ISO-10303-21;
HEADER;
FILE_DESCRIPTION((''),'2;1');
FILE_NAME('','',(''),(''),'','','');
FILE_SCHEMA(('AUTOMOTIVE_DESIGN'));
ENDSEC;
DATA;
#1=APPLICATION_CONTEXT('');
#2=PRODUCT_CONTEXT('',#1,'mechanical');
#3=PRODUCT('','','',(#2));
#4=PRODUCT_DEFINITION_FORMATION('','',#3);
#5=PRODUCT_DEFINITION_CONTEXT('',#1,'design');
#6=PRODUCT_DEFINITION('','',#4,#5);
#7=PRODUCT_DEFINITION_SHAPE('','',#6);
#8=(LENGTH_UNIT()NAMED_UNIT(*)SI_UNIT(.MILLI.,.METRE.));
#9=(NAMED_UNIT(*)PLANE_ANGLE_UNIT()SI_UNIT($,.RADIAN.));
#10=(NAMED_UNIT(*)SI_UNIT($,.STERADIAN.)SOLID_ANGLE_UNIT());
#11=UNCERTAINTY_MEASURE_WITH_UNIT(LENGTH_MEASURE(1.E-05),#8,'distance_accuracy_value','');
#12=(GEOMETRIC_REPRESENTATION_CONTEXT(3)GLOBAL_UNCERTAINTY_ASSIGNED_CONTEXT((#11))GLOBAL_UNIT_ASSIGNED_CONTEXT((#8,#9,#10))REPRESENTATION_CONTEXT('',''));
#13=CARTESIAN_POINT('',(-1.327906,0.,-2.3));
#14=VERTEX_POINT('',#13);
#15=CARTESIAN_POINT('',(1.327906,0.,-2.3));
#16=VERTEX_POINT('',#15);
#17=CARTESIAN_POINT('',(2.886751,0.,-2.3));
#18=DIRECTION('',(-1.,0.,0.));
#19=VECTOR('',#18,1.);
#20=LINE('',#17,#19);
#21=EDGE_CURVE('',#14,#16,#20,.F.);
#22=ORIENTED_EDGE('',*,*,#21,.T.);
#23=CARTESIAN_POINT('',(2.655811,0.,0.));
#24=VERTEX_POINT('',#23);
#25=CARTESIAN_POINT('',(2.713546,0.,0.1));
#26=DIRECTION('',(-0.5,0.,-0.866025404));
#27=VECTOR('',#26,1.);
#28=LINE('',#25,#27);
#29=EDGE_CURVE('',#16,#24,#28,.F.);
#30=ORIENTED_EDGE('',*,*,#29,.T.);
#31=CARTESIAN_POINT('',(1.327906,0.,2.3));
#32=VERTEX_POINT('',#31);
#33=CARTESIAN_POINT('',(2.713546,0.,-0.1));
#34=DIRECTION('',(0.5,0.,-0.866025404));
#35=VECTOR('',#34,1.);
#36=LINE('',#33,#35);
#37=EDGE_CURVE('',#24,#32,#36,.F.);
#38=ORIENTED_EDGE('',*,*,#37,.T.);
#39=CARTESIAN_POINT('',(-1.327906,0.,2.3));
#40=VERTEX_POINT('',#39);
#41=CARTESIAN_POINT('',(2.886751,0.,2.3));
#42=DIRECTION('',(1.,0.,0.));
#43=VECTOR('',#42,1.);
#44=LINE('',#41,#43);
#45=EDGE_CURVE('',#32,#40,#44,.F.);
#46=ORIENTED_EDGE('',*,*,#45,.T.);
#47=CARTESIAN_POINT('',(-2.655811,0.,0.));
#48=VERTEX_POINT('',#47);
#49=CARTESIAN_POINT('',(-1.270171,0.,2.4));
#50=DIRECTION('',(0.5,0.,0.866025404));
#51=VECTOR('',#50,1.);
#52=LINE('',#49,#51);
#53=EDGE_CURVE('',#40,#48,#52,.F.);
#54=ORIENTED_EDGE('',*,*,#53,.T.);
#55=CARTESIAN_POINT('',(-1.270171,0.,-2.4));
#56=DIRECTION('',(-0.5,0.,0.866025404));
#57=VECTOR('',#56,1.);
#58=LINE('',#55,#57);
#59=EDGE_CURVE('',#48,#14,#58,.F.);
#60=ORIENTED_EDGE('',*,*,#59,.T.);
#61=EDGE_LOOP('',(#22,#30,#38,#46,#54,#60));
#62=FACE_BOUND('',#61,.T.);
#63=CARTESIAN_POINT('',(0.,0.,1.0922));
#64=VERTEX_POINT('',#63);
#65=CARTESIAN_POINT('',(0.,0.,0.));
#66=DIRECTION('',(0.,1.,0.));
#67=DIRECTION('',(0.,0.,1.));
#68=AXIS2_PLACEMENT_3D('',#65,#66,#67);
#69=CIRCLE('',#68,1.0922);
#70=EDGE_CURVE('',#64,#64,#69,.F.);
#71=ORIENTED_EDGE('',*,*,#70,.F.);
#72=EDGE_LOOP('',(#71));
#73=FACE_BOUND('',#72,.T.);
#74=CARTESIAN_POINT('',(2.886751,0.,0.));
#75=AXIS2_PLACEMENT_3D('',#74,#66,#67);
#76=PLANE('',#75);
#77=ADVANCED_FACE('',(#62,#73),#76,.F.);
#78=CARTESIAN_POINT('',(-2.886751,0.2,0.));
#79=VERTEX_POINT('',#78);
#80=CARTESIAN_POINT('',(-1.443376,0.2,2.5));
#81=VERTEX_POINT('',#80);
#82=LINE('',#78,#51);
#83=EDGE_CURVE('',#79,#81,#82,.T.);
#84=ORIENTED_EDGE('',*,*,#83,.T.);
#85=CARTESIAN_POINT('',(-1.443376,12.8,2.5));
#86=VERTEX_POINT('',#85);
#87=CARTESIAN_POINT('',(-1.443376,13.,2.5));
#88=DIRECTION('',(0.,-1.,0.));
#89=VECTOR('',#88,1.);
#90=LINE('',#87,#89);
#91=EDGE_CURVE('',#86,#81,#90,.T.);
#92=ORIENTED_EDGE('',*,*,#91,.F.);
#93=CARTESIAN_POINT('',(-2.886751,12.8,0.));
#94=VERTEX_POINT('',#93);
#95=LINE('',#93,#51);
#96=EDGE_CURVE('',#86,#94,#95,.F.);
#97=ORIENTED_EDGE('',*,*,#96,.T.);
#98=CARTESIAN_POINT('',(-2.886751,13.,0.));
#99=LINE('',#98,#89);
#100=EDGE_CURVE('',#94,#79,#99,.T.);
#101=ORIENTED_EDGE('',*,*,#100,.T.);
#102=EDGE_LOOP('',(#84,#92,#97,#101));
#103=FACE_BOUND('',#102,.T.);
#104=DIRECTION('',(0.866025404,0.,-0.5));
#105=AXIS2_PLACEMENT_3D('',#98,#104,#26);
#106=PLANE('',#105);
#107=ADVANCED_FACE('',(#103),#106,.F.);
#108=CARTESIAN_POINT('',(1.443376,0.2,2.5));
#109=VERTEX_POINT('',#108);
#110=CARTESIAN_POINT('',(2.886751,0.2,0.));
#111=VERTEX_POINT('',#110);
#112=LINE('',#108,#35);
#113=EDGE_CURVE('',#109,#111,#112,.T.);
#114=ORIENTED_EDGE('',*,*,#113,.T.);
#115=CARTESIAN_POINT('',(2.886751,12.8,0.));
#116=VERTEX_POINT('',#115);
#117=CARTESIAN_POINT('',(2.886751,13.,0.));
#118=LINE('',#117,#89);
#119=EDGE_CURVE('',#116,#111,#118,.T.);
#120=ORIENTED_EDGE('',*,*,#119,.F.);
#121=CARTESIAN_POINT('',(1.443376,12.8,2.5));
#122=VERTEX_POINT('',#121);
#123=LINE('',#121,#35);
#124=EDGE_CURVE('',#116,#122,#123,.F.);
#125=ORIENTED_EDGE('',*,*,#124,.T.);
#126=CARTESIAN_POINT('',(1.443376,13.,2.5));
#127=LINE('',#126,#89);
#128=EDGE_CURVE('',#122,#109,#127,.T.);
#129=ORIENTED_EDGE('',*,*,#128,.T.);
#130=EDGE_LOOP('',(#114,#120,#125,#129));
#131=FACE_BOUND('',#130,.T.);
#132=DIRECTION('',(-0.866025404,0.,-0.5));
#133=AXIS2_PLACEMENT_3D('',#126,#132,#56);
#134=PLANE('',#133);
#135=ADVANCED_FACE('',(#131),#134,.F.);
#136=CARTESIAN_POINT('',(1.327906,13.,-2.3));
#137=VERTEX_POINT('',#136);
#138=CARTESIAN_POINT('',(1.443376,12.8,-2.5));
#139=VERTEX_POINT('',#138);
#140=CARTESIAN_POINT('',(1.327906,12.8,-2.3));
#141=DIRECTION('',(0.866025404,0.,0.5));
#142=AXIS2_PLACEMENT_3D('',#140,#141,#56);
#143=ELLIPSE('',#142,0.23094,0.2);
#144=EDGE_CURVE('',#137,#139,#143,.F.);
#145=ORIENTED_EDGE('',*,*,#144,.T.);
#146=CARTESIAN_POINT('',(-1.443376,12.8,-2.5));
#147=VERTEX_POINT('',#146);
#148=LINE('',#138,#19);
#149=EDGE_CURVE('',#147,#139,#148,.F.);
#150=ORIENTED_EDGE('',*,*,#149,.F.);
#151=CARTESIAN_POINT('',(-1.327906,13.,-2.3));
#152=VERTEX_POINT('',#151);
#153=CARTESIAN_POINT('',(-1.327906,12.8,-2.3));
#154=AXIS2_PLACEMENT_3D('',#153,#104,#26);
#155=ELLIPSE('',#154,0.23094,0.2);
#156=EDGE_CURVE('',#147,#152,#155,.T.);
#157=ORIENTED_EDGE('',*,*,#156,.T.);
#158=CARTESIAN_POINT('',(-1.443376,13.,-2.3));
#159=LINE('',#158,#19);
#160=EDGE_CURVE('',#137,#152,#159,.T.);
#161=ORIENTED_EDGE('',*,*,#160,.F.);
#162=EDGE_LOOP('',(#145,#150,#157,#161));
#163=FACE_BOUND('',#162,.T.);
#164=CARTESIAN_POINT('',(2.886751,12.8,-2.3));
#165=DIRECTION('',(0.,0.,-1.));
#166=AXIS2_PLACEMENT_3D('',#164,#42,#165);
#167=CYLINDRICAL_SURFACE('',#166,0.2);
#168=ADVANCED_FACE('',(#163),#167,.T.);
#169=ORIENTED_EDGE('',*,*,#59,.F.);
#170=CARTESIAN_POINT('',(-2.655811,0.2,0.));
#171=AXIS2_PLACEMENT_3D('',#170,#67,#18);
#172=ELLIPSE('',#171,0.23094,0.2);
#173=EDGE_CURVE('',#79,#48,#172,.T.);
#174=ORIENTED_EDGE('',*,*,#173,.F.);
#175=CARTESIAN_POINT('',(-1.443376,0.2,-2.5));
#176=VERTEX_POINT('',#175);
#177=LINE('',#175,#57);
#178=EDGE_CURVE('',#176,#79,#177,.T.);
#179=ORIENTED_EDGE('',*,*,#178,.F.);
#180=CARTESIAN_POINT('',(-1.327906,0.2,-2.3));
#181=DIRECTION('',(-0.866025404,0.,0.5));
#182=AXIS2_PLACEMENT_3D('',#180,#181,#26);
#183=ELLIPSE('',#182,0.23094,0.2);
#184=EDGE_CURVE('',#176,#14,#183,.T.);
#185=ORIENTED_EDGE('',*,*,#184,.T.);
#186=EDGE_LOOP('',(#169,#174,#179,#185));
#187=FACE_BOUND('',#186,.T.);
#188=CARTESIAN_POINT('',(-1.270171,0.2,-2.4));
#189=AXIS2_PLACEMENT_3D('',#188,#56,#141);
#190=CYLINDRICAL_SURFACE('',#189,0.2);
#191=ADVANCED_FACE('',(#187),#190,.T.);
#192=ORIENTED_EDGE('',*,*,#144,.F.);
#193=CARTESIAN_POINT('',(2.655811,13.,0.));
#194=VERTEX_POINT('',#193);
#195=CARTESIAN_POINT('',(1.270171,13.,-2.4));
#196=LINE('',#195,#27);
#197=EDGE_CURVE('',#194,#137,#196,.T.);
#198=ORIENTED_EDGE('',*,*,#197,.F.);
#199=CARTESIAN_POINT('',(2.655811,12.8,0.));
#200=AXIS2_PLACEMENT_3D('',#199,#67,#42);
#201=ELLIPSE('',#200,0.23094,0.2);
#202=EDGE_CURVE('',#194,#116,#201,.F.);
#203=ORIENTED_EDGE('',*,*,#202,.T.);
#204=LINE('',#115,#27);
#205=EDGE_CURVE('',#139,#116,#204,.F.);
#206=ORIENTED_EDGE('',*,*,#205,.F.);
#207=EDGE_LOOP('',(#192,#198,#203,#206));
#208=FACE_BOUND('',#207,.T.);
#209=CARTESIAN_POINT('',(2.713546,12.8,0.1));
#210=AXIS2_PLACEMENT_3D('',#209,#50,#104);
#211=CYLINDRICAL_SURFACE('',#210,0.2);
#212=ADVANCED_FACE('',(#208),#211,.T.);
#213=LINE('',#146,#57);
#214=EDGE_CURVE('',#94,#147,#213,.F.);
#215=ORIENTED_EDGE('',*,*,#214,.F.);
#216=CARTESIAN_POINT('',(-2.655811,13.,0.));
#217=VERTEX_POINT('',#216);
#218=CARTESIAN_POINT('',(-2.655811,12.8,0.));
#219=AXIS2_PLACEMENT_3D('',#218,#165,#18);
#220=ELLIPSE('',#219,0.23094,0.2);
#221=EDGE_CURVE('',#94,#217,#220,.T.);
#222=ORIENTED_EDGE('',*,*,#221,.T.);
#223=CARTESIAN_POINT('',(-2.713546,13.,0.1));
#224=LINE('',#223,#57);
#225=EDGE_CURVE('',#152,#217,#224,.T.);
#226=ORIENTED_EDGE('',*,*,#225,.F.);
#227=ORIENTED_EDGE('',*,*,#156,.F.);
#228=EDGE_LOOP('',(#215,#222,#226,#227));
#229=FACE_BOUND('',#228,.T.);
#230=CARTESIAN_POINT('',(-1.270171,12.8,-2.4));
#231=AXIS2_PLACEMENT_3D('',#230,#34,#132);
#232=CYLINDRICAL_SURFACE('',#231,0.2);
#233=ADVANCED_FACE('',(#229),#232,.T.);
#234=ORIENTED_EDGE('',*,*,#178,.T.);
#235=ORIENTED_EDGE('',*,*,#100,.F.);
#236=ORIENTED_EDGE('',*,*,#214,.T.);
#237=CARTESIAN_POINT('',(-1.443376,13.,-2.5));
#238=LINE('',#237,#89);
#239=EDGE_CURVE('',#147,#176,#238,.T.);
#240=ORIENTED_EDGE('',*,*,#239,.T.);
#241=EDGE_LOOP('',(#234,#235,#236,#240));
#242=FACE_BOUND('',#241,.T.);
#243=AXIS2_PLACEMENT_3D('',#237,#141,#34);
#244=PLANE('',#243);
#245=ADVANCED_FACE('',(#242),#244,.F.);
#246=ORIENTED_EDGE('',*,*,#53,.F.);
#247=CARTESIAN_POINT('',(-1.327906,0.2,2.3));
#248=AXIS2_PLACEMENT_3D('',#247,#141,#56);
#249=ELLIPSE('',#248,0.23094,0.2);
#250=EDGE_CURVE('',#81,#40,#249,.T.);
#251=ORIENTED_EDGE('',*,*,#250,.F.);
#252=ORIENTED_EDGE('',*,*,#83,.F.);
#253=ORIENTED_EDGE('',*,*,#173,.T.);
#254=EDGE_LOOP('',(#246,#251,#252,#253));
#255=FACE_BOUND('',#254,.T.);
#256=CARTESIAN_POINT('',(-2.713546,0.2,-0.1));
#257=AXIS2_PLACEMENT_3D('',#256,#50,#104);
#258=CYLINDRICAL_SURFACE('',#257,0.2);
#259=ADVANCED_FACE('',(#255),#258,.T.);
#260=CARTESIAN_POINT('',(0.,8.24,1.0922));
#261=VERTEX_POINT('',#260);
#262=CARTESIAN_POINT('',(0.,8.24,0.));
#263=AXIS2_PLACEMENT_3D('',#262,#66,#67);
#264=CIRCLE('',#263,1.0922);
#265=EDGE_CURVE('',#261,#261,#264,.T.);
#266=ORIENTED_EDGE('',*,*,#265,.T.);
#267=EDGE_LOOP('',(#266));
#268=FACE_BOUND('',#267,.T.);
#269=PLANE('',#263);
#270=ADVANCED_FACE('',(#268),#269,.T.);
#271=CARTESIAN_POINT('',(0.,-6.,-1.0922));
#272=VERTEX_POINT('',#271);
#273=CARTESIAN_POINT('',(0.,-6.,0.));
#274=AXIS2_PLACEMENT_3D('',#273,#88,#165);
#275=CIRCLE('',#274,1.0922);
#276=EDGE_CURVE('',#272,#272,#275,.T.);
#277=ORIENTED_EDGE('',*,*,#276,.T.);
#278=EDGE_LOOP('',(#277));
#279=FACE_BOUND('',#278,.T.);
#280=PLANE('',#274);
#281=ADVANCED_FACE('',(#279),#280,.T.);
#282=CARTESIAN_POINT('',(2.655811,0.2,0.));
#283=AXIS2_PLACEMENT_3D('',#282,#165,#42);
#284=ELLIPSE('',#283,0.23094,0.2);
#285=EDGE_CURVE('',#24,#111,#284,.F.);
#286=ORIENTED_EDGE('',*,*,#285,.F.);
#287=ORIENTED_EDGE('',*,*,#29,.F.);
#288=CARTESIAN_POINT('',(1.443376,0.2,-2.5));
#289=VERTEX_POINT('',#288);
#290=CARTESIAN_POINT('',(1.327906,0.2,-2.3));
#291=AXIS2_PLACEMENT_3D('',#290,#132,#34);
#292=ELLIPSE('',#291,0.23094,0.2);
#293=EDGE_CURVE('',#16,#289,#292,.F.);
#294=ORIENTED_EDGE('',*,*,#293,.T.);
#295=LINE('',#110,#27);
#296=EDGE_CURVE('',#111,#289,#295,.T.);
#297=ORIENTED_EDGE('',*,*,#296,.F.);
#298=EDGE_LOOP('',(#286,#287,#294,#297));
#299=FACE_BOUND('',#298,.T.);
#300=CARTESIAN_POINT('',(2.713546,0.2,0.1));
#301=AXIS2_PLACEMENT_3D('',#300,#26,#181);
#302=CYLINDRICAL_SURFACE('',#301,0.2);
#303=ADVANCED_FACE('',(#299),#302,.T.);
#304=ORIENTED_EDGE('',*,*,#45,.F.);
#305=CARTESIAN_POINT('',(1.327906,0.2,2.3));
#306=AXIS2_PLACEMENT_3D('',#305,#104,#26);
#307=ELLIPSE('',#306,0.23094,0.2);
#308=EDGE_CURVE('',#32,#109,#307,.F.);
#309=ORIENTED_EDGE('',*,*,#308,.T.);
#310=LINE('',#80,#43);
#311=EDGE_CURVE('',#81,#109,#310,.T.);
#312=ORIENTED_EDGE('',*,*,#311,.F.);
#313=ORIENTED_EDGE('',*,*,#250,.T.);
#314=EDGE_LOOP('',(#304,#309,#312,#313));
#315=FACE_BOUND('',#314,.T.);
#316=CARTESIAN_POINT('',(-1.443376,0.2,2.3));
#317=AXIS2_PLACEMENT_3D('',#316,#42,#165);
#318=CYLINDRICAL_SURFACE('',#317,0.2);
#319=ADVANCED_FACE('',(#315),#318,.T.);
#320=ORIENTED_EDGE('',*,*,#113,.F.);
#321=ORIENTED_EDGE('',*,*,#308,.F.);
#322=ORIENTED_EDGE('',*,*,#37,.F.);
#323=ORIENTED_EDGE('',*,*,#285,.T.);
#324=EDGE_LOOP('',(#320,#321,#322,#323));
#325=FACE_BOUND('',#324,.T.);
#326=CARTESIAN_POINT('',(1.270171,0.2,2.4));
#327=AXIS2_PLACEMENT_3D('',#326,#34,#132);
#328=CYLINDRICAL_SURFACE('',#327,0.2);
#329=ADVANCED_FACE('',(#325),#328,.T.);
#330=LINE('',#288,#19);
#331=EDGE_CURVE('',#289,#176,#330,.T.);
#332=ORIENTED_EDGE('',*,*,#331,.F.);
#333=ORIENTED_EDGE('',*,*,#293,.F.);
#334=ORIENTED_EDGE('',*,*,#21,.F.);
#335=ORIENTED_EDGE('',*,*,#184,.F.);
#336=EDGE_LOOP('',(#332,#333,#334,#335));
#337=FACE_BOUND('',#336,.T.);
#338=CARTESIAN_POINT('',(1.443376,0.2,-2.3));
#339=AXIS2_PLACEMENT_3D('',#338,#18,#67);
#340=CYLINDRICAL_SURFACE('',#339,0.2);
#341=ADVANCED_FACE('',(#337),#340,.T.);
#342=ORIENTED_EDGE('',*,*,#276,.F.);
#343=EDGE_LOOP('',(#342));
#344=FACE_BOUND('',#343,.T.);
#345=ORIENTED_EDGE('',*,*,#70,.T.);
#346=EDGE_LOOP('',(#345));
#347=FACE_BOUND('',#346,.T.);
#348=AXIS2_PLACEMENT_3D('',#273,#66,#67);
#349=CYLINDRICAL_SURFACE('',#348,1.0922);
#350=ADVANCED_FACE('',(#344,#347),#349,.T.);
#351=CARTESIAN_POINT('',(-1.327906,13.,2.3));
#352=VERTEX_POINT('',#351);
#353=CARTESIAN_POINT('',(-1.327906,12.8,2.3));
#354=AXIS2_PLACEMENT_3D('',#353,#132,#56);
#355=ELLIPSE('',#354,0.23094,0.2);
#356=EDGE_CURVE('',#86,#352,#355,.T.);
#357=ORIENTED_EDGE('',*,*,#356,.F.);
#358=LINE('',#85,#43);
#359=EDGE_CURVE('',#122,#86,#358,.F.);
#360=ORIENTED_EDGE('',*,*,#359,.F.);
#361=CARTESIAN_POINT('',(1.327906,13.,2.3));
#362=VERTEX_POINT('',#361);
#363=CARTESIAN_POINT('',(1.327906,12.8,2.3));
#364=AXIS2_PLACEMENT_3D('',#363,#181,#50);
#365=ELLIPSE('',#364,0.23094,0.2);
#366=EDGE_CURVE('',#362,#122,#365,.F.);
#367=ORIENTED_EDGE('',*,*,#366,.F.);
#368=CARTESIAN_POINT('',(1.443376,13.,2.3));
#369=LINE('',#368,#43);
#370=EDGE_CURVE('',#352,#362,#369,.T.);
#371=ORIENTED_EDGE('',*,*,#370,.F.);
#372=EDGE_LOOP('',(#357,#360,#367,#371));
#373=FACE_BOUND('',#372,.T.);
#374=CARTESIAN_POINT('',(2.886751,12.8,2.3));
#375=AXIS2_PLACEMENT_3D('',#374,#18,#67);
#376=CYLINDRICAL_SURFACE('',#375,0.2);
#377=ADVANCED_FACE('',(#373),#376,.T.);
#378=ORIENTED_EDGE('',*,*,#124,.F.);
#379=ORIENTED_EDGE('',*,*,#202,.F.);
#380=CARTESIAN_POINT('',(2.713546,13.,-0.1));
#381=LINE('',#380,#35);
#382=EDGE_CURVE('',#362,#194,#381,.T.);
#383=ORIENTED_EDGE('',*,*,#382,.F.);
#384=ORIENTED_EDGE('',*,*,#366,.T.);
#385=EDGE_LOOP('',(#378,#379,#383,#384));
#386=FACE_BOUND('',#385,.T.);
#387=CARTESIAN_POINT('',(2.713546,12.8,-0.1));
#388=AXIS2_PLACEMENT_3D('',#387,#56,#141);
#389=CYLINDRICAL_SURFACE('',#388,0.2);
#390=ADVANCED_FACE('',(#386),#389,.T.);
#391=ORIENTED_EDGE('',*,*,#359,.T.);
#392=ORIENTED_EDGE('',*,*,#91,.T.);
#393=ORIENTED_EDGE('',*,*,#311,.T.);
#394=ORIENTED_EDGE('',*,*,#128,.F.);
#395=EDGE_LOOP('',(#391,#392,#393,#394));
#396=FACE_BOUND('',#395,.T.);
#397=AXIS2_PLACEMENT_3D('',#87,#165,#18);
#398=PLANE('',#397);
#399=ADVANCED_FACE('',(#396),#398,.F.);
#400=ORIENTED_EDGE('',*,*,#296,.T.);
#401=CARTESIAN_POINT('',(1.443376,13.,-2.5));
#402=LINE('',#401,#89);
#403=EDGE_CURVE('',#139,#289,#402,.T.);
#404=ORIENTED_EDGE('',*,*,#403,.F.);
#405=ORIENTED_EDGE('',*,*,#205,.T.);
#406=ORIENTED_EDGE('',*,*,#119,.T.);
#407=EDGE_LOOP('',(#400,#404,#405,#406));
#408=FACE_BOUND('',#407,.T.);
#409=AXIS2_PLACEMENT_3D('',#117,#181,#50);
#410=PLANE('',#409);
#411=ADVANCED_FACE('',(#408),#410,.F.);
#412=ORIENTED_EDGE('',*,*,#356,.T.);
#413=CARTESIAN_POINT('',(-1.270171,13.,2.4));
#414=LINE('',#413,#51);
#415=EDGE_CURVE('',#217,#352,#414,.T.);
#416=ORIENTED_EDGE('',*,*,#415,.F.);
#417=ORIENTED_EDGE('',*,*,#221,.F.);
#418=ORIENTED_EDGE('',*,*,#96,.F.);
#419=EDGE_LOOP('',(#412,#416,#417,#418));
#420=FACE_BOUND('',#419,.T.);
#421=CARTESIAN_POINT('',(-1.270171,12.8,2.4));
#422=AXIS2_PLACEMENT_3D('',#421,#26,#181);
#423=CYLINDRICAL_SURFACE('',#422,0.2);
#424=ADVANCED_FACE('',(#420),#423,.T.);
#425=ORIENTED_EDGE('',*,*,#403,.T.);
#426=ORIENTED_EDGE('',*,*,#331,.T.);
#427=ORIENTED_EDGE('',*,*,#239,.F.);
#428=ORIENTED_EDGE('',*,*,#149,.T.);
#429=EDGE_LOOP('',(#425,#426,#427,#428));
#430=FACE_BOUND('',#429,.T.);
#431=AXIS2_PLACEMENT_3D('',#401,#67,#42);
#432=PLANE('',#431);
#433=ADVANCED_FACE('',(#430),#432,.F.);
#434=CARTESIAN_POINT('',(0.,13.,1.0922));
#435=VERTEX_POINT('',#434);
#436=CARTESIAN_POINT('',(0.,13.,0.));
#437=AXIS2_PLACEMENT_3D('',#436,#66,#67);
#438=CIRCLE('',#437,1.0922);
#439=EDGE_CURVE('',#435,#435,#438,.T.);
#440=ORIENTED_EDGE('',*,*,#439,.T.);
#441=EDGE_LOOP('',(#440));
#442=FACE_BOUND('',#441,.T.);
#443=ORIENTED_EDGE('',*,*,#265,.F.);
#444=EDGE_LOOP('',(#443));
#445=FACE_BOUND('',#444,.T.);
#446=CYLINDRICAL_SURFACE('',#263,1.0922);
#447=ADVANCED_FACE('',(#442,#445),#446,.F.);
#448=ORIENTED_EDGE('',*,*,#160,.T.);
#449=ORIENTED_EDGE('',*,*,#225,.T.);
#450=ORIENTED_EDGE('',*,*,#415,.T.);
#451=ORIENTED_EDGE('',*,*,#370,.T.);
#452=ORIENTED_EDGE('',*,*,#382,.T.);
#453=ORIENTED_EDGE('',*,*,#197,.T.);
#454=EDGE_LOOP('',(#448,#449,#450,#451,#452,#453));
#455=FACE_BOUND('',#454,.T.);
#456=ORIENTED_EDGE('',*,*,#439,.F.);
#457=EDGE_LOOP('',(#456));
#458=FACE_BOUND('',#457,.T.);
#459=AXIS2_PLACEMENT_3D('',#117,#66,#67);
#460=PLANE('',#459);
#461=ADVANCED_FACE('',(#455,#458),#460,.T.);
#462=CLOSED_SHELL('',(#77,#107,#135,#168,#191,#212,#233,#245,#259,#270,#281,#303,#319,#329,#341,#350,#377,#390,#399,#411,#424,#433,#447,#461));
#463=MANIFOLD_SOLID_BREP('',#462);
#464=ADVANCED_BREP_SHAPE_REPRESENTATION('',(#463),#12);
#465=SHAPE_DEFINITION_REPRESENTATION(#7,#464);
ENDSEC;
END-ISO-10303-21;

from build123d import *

# Parameters (mm, degrees)
RESSALTO_EXTRUS_O1_DEPTH = 13
FILETE1_R                = 0.2
ESBO_O2_R                = 1.0922
RESSALTO_EXTRUS_O2_DEPTH = 6
ESBO_O3_R                = 1.0922
CORTE_EXTRUS_O1_DEPTH    = 4.76


with BuildPart() as part:
    # Esboço1 → Ressalto-extrusão1 (new body)
    with BuildSketch(Plane(origin=(0, 0, 0), x_dir=(1, 0, 0), z_dir=(0, 1, 0))):
        Polygon((2.886751346, 0), (1.443375673, 2.5), (-1.443375673, 2.5), (-2.886751346, 0), (-1.443375673, -2.5), (1.443375673, -2.5), align=None)
    extrude(amount=RESSALTO_EXTRUS_O1_DEPTH)

    # Filete1
    filete1_edges = [part.edges().sort_by_distance(p)[0] for p in [
        (0, 13, -2.5),
        (-2.165063509, 13, -1.25),
        (-2.165063509, 13, 1.25),
        (0, 13, 2.5),
        (2.165063509, 13, 1.25),
        (0, 0, 2.5),
        (-2.165063509, 0, 1.25),
        (-2.165063509, 0, -1.25),
        (2.165063509, 13, -1.25),
        (0, 0, -2.5),
        (2.165063509, 0, -1.25),
        (2.165063509, 0, 1.25),
    ]]
    fillet(filete1_edges, radius=FILETE1_R)

    # Esboço2 → Ressalto-extrusão2 (add)
    with BuildSketch(Plane.XZ):
        with Locations(Location((0, 0, 0), (0, 0, 90))):
            Circle(ESBO_O2_R)
    extrude(amount=RESSALTO_EXTRUS_O2_DEPTH)

    # Esboço3 → Corte-extrusão1 (cut)
    with BuildSketch(Plane(origin=(0, 13, 0), x_dir=(1, 0, 0), z_dir=(0, 1, 0))):
        with Locations(Location((0, 0, 0), (0, 0, 270))):
            Circle(ESBO_O3_R)
    extrude(amount=-CORTE_EXTRUS_O1_DEPTH, mode=Mode.SUBTRACT)


solid = part.part
